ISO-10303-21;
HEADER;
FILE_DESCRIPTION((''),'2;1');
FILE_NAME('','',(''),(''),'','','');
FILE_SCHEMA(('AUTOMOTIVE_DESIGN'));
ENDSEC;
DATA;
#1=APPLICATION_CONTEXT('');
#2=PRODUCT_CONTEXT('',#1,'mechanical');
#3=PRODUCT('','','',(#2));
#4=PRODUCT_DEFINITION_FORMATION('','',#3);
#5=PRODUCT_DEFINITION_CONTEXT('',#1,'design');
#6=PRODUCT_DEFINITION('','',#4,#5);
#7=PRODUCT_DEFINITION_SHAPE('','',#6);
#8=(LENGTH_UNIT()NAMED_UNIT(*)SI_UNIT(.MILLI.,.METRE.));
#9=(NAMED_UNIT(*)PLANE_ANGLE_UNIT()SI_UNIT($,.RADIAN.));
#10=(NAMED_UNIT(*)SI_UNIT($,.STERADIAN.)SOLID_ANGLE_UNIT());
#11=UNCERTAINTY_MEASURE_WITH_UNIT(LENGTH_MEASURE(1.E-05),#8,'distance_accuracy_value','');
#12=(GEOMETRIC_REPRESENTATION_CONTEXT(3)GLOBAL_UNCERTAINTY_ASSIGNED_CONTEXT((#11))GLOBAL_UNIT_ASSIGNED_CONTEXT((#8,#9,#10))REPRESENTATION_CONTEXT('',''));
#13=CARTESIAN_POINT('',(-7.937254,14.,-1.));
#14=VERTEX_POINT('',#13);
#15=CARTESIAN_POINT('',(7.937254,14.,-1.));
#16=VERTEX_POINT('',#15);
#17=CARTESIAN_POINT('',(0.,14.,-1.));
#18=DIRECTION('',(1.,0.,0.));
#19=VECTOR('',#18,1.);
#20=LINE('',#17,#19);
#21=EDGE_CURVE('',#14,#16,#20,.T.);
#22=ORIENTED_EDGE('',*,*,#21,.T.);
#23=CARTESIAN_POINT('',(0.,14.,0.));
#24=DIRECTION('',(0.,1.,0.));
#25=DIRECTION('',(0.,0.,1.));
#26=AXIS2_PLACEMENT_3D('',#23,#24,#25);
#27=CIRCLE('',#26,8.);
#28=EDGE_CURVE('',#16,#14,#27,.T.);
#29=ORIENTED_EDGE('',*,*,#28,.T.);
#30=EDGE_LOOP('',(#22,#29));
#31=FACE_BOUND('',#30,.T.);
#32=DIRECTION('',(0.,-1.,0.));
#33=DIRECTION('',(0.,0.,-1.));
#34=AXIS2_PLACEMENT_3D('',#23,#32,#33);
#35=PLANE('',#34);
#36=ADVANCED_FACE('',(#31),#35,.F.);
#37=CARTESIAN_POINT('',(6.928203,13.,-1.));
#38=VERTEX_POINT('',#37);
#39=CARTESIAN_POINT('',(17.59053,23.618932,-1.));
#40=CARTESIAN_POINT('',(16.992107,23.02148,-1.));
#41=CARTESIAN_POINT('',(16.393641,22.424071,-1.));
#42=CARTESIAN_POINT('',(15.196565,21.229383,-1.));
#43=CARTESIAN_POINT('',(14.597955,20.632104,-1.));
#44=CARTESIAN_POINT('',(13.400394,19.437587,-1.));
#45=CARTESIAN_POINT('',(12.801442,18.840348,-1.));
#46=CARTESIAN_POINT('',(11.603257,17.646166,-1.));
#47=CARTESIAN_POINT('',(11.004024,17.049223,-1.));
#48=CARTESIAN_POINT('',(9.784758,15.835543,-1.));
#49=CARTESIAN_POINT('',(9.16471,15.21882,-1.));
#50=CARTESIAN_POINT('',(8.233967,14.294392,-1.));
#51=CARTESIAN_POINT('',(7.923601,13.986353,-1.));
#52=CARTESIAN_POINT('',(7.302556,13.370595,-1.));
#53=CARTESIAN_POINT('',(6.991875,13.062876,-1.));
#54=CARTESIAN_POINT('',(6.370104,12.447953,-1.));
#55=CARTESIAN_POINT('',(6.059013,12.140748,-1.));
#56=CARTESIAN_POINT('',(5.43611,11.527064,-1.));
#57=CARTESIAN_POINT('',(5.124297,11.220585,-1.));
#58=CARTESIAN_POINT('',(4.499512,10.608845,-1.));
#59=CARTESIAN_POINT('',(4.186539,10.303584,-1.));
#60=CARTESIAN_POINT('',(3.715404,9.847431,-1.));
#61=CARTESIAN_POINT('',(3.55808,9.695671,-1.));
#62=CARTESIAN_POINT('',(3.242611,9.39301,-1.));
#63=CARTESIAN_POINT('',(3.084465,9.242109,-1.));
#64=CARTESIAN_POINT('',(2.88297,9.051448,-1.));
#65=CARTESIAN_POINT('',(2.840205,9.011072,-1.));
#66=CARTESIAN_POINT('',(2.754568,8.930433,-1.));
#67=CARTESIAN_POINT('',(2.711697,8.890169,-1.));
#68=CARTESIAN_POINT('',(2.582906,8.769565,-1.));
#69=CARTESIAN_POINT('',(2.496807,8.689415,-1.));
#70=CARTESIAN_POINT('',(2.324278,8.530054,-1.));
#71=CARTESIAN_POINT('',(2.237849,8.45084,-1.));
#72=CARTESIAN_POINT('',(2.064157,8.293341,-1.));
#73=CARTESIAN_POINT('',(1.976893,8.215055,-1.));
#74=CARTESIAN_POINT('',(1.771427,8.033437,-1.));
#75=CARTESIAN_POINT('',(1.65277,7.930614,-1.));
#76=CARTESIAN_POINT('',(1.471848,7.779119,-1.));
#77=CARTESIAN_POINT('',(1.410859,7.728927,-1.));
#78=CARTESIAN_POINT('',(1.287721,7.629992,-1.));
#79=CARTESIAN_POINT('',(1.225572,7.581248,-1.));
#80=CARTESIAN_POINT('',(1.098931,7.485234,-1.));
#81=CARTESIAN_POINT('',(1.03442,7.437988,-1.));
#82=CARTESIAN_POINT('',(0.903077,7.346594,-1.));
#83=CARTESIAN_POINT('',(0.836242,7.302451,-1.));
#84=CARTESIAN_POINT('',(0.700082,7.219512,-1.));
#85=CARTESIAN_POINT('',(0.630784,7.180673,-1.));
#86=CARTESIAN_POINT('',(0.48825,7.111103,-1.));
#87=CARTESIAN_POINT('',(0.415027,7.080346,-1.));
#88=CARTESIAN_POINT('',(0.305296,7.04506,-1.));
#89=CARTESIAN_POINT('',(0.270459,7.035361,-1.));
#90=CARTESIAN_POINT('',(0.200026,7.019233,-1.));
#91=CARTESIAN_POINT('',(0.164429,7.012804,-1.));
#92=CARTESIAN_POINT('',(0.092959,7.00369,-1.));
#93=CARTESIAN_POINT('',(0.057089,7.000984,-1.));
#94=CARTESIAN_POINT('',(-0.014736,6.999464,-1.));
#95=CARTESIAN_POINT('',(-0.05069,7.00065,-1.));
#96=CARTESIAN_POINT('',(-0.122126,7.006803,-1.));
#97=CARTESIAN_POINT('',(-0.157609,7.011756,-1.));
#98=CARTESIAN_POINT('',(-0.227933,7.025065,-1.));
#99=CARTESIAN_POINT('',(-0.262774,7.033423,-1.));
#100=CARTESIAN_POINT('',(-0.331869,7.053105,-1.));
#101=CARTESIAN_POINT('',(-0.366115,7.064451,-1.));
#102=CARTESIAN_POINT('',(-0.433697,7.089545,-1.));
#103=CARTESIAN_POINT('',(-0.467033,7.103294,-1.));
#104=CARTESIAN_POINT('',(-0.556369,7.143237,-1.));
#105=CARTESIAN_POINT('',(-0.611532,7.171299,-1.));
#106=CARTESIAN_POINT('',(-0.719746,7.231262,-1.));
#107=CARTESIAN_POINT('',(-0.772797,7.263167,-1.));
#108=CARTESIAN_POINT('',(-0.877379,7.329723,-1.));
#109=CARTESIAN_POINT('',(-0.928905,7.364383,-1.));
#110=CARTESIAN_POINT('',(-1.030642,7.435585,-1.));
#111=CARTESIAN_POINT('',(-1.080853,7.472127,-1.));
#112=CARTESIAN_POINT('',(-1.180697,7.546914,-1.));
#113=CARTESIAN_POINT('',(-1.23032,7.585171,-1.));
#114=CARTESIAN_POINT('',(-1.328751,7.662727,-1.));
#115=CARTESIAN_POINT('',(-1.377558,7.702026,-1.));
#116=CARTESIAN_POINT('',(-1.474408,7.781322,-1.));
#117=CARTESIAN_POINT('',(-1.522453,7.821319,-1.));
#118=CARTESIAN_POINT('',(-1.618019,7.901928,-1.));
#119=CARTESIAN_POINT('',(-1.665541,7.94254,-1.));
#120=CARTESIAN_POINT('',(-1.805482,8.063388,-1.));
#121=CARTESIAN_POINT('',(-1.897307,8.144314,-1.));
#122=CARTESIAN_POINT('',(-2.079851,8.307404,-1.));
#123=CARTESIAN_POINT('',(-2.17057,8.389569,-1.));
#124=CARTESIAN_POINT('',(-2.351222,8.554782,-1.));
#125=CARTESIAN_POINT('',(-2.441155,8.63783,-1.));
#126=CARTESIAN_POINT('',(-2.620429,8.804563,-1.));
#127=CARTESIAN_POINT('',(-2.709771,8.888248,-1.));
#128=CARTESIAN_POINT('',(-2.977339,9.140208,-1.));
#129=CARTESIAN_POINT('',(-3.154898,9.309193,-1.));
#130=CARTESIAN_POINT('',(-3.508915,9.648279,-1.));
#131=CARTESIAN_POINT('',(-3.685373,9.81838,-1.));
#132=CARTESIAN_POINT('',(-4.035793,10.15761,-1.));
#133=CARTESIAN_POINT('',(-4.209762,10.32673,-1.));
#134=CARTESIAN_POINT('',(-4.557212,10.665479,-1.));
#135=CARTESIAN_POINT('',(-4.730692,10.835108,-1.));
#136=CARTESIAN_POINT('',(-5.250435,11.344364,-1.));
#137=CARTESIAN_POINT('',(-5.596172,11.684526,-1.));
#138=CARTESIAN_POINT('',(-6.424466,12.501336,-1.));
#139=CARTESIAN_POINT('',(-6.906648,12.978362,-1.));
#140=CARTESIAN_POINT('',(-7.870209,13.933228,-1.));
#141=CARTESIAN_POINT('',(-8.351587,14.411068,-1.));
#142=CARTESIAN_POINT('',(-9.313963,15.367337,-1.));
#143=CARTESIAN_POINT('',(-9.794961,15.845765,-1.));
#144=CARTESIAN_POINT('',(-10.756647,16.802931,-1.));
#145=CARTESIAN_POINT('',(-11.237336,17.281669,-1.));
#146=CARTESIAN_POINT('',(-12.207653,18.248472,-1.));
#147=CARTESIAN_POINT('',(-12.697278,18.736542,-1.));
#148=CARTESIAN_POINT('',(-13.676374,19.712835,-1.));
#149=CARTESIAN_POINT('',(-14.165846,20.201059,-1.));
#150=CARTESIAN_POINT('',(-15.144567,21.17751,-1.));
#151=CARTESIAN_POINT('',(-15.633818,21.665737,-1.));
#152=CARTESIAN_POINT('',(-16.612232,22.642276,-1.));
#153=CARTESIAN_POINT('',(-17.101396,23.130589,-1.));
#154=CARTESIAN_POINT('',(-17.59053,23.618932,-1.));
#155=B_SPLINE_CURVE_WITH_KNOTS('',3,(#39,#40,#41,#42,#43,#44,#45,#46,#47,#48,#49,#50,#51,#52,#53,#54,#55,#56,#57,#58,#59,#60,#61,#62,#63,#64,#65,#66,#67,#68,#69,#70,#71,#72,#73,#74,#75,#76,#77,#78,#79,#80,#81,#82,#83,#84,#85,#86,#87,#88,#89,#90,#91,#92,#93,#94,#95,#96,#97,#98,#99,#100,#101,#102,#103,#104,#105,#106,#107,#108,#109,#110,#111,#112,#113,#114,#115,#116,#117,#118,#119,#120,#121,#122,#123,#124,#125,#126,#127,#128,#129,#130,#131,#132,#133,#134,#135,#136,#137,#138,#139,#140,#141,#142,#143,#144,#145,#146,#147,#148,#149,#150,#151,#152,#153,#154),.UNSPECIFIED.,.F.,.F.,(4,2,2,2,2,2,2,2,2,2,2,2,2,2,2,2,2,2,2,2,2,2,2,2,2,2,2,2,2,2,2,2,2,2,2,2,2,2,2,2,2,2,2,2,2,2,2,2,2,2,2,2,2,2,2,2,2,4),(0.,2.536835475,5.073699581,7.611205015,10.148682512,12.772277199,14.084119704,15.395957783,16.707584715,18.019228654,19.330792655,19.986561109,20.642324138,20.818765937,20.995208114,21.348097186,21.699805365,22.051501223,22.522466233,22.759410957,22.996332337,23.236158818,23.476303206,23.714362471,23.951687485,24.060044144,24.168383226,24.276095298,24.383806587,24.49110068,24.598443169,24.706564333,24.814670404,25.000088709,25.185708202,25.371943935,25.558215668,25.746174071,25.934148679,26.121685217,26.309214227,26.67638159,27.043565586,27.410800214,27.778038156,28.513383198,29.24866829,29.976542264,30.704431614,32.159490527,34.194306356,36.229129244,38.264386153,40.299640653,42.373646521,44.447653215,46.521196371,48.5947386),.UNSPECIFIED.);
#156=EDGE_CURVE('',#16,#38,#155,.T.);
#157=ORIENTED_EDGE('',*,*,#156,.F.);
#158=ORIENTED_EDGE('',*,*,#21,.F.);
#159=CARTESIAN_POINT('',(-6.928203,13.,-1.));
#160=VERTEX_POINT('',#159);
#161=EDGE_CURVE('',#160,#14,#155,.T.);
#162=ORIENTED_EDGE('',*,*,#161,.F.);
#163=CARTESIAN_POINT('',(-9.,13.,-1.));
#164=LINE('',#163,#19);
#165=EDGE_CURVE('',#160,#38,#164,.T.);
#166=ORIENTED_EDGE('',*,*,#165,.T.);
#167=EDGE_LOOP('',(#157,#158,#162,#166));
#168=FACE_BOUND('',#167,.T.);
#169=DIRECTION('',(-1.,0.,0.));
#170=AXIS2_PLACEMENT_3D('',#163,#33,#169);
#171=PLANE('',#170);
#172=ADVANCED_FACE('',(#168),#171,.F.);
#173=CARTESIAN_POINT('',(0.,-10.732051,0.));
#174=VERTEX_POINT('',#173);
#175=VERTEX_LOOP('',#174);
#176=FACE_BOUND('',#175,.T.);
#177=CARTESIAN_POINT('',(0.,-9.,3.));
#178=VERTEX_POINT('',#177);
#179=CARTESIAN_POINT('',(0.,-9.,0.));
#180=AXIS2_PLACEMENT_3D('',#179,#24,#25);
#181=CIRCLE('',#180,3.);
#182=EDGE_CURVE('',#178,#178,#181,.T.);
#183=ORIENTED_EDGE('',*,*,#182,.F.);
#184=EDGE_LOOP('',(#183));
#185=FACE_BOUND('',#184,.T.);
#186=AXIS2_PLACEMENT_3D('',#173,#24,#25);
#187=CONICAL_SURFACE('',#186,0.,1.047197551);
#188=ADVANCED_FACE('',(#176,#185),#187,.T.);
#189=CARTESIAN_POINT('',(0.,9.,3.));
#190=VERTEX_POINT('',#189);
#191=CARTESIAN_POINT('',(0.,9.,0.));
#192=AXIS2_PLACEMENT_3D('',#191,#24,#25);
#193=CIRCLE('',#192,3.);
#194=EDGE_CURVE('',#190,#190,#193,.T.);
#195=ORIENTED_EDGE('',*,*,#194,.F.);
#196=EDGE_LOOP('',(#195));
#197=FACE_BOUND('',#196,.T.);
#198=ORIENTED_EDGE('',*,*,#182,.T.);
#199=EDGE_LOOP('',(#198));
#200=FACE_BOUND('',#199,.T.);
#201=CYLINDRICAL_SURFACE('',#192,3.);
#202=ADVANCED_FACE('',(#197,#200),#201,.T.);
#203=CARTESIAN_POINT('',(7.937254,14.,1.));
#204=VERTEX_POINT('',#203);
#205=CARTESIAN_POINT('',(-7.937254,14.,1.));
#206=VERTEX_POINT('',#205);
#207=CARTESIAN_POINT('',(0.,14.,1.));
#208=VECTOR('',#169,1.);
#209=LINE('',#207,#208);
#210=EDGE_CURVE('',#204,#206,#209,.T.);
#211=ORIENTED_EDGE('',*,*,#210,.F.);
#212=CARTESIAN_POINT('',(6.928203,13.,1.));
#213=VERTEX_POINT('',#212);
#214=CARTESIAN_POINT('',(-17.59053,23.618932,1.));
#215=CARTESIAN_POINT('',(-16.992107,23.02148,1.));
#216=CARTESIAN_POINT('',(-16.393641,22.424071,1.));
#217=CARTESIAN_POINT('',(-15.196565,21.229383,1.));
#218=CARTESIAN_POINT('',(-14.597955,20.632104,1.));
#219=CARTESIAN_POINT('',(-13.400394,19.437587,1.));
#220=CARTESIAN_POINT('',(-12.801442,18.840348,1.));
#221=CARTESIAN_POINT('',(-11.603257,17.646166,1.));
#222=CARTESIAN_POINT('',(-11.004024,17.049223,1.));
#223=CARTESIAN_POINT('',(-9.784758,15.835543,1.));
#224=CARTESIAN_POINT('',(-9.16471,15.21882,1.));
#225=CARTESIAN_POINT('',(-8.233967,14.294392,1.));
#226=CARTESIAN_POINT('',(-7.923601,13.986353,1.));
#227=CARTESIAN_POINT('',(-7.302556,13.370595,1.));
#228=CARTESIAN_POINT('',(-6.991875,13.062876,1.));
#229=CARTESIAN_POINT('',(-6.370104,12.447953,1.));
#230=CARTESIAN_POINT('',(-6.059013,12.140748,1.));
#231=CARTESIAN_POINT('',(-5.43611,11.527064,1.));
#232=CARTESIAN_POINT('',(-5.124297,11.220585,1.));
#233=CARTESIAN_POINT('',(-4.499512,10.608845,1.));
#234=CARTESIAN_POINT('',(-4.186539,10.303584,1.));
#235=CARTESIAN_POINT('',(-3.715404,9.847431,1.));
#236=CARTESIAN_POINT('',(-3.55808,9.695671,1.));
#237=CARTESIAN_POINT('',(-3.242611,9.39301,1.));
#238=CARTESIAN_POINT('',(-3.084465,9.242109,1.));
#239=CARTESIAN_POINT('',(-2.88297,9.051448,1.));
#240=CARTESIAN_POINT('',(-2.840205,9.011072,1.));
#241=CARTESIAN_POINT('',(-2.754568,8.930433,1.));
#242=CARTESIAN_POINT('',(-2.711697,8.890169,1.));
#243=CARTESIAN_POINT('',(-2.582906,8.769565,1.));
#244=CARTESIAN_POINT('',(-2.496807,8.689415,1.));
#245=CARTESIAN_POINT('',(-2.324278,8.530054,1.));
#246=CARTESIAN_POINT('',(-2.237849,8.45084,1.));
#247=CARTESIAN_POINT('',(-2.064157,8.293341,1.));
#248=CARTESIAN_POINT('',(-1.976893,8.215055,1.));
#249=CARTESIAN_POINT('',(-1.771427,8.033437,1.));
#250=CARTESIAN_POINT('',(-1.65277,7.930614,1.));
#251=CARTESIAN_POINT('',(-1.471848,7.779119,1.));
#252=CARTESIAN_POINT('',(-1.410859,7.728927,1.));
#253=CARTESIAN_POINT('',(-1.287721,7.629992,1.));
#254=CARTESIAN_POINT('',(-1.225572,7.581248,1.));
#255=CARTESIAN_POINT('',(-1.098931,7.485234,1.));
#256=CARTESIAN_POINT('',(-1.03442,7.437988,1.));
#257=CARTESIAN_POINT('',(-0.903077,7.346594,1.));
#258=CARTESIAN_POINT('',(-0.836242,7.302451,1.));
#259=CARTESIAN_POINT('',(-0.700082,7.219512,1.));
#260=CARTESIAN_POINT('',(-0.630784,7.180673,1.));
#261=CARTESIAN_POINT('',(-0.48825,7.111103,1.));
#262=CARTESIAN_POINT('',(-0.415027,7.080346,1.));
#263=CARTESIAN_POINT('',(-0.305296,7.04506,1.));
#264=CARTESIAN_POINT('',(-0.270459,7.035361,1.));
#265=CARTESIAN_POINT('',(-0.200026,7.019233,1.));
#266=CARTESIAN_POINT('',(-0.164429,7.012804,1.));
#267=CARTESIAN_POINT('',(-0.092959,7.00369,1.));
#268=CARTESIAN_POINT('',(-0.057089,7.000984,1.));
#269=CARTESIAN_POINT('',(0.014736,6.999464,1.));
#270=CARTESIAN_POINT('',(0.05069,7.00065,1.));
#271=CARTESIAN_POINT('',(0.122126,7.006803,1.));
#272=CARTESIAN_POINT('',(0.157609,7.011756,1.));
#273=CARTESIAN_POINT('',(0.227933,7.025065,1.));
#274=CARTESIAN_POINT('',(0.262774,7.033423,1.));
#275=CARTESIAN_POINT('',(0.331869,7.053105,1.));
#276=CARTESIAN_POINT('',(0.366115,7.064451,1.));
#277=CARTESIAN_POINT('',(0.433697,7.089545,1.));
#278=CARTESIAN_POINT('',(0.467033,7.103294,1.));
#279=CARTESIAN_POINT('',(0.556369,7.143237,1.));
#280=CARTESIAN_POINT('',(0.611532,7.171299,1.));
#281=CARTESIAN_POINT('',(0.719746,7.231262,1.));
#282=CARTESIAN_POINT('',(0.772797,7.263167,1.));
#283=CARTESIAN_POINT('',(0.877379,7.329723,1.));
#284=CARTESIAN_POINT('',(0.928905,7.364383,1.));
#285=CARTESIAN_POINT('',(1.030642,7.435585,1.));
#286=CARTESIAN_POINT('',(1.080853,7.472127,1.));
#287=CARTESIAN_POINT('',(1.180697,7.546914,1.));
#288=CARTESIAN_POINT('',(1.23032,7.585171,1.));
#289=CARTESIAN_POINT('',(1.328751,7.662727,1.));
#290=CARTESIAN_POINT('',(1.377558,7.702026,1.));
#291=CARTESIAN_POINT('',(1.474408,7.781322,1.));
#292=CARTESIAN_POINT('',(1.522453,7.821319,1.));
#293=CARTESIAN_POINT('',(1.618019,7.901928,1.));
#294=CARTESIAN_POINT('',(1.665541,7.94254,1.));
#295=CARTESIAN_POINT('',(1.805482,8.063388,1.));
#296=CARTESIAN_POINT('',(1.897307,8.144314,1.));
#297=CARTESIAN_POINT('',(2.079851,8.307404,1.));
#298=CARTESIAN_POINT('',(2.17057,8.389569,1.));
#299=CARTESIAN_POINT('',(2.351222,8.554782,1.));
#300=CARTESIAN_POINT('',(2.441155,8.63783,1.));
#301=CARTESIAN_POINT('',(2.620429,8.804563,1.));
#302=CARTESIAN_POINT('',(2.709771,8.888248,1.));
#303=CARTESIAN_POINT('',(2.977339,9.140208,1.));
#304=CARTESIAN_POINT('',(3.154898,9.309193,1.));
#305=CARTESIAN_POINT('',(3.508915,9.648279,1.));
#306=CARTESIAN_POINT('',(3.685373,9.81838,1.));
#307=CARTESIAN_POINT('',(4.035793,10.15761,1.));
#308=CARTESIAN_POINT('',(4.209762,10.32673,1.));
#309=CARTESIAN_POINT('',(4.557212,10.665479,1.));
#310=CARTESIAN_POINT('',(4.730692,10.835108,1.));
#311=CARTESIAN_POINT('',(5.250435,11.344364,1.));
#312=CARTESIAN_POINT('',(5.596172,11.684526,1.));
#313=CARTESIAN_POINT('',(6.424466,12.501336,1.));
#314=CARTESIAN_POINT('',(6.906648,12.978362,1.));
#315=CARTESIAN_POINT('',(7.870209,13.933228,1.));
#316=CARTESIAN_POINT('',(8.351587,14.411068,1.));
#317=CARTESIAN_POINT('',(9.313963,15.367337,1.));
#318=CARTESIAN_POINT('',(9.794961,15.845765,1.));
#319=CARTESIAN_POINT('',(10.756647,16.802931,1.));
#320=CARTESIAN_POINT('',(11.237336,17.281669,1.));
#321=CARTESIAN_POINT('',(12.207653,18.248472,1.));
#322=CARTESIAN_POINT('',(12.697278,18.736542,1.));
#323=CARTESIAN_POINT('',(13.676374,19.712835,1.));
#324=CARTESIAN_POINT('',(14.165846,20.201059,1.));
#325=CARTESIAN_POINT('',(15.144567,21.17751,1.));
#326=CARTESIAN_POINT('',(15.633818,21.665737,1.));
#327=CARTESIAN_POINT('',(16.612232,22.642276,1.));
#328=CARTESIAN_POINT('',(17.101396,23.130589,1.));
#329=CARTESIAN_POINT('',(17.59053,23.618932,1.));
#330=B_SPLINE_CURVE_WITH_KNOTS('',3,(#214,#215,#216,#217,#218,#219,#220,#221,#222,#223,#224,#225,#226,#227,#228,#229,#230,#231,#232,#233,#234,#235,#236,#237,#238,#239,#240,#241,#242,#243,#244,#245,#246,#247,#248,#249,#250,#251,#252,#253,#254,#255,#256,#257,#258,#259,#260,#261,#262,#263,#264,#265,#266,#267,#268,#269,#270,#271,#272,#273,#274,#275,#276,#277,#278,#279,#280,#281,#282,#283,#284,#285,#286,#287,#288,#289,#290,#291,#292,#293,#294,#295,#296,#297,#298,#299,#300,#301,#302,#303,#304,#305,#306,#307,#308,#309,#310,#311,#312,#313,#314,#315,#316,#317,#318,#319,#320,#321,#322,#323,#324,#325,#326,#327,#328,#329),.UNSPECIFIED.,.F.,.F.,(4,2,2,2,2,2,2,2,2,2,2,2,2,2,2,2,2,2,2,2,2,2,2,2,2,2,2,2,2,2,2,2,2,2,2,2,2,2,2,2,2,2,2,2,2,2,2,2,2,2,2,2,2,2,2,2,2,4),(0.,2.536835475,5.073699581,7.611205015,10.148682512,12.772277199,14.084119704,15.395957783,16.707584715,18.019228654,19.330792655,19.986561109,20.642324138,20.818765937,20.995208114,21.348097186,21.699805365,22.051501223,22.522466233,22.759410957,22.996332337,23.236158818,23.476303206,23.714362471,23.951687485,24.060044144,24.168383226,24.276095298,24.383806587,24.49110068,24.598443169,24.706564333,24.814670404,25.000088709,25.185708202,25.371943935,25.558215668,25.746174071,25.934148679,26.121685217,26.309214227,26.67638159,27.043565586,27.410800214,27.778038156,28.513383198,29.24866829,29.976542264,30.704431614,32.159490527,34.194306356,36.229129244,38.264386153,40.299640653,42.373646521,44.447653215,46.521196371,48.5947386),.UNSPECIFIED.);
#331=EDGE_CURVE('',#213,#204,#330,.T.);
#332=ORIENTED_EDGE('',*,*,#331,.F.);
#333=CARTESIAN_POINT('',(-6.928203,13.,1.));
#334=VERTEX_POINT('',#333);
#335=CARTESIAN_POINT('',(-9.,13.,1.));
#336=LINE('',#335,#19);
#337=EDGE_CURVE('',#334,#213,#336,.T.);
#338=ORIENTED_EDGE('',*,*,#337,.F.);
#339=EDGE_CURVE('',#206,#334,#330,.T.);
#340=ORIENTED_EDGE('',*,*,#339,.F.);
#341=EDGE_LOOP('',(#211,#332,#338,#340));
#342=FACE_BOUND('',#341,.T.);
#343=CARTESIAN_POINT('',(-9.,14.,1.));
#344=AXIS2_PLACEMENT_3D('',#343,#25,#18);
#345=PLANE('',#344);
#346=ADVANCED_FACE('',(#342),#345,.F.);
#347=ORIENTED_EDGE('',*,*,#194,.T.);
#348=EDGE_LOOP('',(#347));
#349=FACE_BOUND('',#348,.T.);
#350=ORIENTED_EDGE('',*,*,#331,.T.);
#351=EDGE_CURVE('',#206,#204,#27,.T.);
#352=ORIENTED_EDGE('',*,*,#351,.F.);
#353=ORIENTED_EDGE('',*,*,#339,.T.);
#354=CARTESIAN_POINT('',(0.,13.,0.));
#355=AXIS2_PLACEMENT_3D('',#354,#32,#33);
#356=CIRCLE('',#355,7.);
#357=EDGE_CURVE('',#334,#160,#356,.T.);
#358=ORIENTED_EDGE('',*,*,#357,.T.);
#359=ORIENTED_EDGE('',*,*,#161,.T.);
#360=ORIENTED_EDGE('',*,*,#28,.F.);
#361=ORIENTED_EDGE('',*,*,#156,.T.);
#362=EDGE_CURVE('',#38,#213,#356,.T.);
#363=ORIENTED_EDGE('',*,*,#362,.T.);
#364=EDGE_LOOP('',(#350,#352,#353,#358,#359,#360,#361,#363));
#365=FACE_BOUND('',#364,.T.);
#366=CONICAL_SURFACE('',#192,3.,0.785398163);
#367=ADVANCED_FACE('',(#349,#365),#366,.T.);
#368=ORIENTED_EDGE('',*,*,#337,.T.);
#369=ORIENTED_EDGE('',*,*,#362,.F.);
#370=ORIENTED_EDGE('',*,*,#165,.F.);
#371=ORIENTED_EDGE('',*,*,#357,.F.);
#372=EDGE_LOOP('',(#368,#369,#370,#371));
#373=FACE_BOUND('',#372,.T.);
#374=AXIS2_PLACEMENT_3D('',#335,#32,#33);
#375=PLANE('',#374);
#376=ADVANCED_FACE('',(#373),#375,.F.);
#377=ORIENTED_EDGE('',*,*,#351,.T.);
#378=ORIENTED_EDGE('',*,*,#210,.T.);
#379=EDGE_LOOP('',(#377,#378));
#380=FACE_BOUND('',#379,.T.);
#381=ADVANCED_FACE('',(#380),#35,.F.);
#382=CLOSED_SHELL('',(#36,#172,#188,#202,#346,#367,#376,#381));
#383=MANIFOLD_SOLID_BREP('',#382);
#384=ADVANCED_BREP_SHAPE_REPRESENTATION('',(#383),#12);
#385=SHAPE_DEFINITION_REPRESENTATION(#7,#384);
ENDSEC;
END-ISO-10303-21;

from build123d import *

# Parameters (mm, degrees)
CUT_EXTRUDE1_DEPTH = 9


with BuildPart() as part:
    # Sketch1 → Revolve1 (revolve)
    with BuildSketch(Plane.XY):
        Polygon((0, 9), (0, -9), (0, -10.732050808), (3, -9), (3, 9), (8, 14), (0, 14), align=None)
    revolve(axis=Axis((0, 9, 0), (0, -1, 0)))

    # Sketch2 → Cut-Extrude1 (cut, symmetric)
    with BuildSketch(Plane(origin=(0, 0, 0), x_dir=(0, 0, -1), z_dir=(1, 0, 0))):
        Polygon((0, 14), (1, 14), (1, 13), (-1, 13), (-1, 14), align=None)
    extrude(amount=CUT_EXTRUDE1_DEPTH, both=True, mode=Mode.SUBTRACT)


solid = part.part
